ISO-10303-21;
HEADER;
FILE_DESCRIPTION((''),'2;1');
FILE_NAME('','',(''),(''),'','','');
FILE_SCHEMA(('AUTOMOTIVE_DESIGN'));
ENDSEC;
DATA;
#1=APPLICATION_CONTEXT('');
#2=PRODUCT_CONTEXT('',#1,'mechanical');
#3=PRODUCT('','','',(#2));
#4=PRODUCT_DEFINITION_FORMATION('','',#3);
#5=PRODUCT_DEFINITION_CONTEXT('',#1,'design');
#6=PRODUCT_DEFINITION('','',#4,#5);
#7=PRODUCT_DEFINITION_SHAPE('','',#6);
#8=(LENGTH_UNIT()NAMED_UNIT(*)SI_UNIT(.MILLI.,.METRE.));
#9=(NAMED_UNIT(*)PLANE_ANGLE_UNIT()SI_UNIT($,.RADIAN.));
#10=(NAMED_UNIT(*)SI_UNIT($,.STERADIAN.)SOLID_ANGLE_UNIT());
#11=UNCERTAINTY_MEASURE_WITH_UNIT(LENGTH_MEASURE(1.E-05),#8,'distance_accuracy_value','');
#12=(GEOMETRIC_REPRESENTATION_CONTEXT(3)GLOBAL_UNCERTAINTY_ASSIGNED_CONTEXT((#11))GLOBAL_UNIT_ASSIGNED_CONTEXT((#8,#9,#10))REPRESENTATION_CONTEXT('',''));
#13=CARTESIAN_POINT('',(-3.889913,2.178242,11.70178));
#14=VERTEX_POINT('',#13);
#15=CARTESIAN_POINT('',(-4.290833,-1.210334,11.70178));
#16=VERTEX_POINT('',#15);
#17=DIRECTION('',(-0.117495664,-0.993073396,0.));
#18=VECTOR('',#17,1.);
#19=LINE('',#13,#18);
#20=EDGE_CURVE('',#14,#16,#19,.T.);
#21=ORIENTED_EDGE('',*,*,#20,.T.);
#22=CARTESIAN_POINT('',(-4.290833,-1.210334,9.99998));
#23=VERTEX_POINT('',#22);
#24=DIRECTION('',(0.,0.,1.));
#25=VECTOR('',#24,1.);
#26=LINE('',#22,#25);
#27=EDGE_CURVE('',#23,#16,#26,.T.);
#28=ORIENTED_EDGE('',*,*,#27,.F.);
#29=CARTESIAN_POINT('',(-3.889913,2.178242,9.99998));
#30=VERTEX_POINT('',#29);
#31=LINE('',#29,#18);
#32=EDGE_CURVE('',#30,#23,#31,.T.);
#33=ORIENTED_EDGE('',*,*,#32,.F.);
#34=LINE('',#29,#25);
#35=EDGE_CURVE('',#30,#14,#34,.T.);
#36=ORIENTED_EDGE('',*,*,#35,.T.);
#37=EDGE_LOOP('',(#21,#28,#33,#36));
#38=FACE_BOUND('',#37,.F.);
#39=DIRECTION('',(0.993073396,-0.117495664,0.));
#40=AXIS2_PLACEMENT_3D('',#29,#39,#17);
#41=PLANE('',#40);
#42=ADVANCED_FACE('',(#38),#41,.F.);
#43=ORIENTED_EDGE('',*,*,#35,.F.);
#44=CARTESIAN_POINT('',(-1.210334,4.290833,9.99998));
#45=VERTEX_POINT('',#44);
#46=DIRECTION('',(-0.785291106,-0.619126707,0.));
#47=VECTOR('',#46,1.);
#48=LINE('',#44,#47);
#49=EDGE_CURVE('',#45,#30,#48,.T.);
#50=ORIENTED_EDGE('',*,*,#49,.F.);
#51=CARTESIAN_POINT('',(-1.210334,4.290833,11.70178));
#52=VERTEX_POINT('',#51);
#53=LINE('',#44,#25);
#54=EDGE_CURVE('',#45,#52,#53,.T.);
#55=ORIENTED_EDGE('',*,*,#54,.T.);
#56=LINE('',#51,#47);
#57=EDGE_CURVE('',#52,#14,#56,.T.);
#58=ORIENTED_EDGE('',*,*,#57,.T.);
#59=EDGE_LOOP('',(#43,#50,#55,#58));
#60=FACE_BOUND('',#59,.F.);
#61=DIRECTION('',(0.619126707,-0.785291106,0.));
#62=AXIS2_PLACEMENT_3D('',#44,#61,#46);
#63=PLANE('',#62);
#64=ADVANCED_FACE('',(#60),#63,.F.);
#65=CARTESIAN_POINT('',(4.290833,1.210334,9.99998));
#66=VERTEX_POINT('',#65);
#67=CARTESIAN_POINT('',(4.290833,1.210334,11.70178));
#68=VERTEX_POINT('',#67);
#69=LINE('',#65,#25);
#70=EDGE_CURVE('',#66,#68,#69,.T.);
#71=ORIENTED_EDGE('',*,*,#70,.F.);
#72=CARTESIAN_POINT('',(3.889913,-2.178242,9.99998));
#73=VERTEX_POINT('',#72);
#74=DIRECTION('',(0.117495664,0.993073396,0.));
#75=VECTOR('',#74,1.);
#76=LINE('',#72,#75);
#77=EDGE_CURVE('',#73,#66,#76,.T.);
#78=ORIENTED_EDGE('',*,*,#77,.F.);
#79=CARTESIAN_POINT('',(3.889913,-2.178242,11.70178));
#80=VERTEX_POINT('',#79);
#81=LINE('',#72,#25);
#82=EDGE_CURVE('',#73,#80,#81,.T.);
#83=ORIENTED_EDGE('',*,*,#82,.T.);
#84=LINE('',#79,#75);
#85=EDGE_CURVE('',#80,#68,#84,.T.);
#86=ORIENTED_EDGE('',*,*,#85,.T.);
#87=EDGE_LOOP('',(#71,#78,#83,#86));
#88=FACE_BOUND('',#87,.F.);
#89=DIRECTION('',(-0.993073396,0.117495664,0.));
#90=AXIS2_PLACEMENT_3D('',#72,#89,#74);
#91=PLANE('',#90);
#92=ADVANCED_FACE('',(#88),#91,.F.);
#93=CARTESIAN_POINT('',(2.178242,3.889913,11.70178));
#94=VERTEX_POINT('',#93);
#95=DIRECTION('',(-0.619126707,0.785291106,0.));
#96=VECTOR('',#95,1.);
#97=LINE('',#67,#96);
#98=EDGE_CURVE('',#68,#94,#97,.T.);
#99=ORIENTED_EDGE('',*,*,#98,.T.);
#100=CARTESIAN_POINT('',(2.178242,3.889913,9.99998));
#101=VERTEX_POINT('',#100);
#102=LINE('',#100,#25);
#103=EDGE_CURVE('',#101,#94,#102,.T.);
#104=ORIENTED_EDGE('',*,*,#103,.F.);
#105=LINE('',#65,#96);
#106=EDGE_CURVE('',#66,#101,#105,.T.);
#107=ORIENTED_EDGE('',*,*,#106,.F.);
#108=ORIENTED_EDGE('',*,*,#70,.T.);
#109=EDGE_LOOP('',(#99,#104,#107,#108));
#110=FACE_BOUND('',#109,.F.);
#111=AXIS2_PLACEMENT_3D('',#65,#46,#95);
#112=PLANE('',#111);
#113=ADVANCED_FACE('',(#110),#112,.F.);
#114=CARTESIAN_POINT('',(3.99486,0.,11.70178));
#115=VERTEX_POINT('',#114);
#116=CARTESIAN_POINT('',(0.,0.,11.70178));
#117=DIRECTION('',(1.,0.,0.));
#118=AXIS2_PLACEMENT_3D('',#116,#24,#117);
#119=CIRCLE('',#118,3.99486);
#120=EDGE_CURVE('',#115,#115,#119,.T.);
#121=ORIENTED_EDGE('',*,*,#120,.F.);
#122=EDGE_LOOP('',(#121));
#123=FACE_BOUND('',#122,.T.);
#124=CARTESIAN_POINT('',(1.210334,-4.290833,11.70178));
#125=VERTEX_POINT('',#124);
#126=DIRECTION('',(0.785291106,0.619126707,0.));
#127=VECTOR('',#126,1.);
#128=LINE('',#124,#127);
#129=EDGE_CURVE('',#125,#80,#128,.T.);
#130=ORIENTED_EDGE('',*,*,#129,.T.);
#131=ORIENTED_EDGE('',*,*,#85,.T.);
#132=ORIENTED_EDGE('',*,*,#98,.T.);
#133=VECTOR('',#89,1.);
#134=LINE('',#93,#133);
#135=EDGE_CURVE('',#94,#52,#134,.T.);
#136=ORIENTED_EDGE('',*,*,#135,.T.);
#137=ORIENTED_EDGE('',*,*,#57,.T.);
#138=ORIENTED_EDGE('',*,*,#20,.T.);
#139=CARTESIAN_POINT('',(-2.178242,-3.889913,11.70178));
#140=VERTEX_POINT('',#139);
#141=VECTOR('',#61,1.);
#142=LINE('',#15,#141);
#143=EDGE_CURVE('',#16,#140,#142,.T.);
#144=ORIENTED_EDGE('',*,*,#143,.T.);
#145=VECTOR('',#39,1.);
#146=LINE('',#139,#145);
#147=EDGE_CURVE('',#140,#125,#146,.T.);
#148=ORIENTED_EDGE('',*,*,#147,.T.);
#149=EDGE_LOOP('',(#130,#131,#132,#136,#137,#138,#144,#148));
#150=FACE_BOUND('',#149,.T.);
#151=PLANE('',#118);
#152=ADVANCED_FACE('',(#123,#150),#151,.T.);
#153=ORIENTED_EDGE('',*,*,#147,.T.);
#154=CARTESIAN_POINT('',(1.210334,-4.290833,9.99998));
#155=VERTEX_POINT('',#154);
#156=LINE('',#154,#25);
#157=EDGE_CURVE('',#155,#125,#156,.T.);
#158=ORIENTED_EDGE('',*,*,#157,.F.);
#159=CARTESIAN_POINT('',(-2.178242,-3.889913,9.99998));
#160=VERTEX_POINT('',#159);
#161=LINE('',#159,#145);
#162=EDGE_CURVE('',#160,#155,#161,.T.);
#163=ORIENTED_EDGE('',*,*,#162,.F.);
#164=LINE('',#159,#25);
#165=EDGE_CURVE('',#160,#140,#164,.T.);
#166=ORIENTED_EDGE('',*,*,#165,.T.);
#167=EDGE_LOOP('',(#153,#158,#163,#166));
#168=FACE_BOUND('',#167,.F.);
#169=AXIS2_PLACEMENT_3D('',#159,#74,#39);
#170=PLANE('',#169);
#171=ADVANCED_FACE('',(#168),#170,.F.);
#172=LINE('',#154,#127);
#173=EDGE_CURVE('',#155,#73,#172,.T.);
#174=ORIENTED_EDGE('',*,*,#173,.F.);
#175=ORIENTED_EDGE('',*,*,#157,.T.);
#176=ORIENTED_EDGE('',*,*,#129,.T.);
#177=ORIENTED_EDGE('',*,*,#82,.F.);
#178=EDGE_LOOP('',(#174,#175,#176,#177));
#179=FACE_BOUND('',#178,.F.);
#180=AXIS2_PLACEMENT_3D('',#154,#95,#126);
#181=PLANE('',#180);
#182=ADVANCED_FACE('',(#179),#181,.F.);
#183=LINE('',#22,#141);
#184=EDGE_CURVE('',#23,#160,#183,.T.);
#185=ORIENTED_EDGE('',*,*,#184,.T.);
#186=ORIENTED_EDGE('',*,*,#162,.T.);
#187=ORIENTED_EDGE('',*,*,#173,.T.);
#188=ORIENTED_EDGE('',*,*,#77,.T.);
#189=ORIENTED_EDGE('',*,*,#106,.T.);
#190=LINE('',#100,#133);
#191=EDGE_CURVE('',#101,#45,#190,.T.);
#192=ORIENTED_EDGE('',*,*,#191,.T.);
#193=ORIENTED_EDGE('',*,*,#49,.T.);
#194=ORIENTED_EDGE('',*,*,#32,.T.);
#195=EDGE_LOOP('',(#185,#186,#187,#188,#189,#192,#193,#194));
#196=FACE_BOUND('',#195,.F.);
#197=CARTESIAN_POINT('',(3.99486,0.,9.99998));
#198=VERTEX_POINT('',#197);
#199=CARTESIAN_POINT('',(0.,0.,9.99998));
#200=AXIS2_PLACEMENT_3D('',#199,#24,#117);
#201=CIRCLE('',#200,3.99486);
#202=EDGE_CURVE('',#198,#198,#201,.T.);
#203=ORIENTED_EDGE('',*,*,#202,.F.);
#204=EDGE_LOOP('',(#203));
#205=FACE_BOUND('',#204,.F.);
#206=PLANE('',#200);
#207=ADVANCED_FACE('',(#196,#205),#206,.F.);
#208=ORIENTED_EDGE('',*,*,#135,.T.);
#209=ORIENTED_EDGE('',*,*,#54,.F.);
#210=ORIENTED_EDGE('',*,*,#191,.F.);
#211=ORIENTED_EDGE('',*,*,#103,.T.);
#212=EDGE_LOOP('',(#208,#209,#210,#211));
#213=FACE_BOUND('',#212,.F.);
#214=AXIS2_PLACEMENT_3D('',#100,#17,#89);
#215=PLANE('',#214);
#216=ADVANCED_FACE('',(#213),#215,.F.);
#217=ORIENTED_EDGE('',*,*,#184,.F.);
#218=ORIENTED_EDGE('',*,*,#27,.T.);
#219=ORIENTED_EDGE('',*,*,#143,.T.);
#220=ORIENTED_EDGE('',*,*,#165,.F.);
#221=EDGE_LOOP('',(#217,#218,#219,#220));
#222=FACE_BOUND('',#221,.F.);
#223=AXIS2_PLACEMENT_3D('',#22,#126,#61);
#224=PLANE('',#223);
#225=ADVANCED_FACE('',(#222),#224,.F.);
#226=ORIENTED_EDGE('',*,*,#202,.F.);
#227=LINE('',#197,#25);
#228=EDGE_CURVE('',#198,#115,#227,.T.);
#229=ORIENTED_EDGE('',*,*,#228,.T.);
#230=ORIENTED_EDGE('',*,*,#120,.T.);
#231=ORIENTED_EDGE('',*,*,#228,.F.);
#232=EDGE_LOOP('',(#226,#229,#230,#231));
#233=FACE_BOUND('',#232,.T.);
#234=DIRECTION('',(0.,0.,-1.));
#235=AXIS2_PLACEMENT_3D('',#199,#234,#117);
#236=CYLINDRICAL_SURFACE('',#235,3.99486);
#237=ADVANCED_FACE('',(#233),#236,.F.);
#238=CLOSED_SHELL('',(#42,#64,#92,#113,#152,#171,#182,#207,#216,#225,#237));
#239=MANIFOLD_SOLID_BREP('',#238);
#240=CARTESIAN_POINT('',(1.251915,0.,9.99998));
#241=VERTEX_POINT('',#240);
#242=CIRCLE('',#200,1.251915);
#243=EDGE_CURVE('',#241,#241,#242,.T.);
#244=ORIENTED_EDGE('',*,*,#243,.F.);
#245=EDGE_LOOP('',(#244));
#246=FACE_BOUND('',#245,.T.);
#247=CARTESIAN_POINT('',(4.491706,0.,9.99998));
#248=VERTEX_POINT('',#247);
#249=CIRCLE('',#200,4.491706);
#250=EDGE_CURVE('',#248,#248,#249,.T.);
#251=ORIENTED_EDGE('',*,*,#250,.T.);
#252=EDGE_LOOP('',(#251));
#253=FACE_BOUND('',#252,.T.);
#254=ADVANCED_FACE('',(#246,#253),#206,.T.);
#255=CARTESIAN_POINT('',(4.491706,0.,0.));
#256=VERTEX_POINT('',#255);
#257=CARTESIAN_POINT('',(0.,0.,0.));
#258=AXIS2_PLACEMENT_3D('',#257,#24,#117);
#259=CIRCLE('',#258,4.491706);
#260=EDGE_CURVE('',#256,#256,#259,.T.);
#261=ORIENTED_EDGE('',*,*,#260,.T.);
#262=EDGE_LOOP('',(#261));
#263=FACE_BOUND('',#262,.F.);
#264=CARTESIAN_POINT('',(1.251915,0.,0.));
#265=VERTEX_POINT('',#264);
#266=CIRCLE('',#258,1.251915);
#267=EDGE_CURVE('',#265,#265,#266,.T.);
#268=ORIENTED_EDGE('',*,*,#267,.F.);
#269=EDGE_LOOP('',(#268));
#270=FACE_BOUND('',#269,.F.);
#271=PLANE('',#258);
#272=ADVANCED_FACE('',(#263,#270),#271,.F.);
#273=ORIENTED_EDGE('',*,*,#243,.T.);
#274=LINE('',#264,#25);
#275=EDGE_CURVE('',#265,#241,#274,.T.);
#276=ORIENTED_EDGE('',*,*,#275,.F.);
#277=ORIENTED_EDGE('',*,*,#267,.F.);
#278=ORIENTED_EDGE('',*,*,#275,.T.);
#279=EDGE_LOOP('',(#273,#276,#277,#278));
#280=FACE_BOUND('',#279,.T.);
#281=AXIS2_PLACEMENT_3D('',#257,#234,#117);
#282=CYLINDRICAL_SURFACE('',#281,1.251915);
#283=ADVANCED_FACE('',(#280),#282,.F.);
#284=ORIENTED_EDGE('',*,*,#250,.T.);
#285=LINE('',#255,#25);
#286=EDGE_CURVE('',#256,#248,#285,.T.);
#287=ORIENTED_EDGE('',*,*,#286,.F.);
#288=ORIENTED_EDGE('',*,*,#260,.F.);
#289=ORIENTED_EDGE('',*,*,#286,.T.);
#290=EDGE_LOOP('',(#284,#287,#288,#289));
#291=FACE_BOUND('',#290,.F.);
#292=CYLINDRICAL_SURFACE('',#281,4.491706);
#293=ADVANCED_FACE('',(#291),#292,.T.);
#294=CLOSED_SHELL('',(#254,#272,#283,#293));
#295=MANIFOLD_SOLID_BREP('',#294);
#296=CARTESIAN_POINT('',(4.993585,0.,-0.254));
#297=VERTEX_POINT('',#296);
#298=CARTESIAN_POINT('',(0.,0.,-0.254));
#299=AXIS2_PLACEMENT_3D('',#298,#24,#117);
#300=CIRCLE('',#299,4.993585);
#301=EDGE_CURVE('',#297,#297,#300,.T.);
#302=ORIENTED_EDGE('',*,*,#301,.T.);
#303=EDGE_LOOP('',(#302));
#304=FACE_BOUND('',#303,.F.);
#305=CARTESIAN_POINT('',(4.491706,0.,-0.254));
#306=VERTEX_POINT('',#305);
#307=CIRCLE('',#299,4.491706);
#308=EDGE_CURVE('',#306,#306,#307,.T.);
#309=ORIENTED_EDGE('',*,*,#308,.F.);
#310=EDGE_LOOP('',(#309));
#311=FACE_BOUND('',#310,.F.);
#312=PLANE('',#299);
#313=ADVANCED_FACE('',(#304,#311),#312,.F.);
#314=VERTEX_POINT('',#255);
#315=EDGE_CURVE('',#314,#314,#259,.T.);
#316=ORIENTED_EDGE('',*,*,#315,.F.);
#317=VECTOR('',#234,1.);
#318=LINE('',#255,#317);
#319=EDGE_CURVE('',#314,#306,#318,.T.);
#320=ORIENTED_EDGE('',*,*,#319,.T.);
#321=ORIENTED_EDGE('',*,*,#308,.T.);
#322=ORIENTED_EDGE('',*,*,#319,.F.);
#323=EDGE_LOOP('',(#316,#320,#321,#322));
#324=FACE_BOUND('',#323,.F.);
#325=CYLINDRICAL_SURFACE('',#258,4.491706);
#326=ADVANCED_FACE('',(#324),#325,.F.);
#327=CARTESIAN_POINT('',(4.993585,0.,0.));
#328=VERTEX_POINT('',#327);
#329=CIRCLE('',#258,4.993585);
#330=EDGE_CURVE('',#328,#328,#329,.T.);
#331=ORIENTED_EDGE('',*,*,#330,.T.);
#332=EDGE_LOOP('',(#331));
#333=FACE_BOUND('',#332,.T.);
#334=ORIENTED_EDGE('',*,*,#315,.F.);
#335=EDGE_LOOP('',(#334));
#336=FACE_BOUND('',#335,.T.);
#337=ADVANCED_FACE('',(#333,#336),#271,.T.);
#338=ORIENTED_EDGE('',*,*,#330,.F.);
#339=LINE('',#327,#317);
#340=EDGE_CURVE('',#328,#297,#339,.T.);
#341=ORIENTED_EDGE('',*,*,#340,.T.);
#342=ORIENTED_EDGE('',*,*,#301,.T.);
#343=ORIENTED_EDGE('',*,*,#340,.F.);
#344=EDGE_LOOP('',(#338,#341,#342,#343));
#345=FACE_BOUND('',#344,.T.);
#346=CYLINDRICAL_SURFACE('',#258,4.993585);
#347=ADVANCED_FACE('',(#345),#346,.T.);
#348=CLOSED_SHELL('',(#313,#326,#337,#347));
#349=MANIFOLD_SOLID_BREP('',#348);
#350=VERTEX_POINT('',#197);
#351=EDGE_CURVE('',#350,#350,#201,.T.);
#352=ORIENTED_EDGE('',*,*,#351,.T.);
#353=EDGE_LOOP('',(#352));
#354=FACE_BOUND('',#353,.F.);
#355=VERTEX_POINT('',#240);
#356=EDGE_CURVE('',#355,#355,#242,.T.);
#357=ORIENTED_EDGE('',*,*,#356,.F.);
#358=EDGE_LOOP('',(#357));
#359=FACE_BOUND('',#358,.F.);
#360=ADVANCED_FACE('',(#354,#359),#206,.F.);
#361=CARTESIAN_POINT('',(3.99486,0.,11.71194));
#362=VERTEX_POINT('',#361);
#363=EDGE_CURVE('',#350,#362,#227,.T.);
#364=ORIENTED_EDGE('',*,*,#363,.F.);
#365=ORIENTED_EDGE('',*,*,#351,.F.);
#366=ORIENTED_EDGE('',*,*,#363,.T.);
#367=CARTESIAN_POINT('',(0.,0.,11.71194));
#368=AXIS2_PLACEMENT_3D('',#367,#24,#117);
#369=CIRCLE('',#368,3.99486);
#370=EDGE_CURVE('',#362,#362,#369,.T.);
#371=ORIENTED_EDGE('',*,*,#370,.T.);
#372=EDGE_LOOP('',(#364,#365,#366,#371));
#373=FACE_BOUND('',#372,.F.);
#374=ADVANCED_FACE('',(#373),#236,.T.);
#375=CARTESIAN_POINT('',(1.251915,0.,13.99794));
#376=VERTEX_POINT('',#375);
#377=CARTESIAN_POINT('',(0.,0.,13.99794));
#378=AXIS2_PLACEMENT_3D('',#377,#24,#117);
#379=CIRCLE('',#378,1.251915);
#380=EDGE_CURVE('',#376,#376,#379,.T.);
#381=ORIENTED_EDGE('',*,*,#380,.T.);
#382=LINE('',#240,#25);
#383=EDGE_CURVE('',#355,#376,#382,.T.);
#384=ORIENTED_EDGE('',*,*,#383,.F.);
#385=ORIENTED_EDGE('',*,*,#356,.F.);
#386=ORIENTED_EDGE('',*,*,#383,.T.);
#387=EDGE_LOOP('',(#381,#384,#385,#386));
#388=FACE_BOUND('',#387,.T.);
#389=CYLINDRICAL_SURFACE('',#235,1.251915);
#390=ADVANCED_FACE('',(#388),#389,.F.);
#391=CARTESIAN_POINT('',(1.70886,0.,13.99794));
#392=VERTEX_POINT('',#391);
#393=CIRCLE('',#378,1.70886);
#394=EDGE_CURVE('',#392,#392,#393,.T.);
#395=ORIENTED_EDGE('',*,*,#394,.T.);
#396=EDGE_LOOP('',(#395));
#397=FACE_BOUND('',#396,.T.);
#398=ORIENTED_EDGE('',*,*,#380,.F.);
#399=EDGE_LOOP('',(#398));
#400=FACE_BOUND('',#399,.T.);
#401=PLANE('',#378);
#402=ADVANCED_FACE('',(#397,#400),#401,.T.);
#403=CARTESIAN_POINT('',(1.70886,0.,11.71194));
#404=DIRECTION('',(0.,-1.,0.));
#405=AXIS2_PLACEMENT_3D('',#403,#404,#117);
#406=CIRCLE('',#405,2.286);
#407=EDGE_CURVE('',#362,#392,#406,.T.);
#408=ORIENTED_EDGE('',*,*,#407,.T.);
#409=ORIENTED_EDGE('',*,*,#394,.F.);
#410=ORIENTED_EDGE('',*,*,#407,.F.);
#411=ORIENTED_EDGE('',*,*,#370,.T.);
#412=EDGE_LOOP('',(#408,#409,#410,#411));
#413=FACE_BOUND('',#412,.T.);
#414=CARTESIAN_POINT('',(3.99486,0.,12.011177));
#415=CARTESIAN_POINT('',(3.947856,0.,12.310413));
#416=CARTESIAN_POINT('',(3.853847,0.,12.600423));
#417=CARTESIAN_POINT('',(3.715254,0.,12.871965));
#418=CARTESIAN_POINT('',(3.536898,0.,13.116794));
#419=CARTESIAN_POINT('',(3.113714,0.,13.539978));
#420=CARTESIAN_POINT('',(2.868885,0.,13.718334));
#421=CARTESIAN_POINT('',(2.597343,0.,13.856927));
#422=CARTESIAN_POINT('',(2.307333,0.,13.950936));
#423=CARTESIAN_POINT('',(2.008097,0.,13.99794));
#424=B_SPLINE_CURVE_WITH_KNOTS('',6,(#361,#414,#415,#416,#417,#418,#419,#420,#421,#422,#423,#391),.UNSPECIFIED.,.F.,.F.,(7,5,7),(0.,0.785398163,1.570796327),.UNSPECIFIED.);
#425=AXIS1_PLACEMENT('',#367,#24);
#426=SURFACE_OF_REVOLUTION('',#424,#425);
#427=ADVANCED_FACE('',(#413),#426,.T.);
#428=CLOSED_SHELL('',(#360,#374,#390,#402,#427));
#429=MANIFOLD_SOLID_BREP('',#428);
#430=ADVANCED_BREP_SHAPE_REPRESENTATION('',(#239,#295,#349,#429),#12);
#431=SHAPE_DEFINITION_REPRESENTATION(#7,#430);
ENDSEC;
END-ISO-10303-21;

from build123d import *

# Parameters (mm, degrees)
F0_R     = 4.491706
F0_R_2   = 1.251915
F1_DEPTH = 9.99998
F0_R_3   = 4.993585
F2_DEPTH = 0.254
F3_R     = 3.99486
F3_R_2   = 1.251915
F4_DEPTH = 3.99796
F5_R     = 2.286
F6_DEPTH = 1.7018


with BuildPart() as f1:
    # F0 (on Top) → F1 (new body)
    with BuildSketch(Plane.XY):
        Circle(F0_R)
        Circle(F0_R_2, mode=Mode.SUBTRACT)
    extrude(amount=F1_DEPTH)

    # F0 (on Top) → F2 (join)
    with BuildSketch(Plane.XY):
        Circle(F0_R_3)
        Circle(F0_R, mode=Mode.SUBTRACT)
    extrude(amount=-F2_DEPTH)


with BuildPart() as f4:
    # F3 (on face) → F4 (new body)
    with BuildSketch(Plane.XY.offset(9.99998)):
        Circle(F3_R)
        Circle(F3_R_2, mode=Mode.SUBTRACT)
    extrude(amount=F4_DEPTH)

    # F5
    f5_edges = [f4.edges().sort_by_distance(p)[0] for p in [
        (-3.99486, 0, 13.99794),
    ]]
    fillet(f5_edges, radius=F5_R)


with BuildPart() as f6:
    # F3 (on face) → F6 (new body)
    with BuildSketch(Plane.XY.offset(9.99998)):
        Polygon((3.889913, -2.178242), (4.290833, 1.210334), (2.178242, 3.889913), (-1.210334, 4.290833), (-3.889913, 2.178242), (-4.290833, -1.210334), (-2.178242, -3.889913), (1.210334, -4.290833), align=None)
        Circle(F3_R, mode=Mode.SUBTRACT)
    extrude(amount=F6_DEPTH)


solid = Compound([f1.part, f4.part, f6.part])
